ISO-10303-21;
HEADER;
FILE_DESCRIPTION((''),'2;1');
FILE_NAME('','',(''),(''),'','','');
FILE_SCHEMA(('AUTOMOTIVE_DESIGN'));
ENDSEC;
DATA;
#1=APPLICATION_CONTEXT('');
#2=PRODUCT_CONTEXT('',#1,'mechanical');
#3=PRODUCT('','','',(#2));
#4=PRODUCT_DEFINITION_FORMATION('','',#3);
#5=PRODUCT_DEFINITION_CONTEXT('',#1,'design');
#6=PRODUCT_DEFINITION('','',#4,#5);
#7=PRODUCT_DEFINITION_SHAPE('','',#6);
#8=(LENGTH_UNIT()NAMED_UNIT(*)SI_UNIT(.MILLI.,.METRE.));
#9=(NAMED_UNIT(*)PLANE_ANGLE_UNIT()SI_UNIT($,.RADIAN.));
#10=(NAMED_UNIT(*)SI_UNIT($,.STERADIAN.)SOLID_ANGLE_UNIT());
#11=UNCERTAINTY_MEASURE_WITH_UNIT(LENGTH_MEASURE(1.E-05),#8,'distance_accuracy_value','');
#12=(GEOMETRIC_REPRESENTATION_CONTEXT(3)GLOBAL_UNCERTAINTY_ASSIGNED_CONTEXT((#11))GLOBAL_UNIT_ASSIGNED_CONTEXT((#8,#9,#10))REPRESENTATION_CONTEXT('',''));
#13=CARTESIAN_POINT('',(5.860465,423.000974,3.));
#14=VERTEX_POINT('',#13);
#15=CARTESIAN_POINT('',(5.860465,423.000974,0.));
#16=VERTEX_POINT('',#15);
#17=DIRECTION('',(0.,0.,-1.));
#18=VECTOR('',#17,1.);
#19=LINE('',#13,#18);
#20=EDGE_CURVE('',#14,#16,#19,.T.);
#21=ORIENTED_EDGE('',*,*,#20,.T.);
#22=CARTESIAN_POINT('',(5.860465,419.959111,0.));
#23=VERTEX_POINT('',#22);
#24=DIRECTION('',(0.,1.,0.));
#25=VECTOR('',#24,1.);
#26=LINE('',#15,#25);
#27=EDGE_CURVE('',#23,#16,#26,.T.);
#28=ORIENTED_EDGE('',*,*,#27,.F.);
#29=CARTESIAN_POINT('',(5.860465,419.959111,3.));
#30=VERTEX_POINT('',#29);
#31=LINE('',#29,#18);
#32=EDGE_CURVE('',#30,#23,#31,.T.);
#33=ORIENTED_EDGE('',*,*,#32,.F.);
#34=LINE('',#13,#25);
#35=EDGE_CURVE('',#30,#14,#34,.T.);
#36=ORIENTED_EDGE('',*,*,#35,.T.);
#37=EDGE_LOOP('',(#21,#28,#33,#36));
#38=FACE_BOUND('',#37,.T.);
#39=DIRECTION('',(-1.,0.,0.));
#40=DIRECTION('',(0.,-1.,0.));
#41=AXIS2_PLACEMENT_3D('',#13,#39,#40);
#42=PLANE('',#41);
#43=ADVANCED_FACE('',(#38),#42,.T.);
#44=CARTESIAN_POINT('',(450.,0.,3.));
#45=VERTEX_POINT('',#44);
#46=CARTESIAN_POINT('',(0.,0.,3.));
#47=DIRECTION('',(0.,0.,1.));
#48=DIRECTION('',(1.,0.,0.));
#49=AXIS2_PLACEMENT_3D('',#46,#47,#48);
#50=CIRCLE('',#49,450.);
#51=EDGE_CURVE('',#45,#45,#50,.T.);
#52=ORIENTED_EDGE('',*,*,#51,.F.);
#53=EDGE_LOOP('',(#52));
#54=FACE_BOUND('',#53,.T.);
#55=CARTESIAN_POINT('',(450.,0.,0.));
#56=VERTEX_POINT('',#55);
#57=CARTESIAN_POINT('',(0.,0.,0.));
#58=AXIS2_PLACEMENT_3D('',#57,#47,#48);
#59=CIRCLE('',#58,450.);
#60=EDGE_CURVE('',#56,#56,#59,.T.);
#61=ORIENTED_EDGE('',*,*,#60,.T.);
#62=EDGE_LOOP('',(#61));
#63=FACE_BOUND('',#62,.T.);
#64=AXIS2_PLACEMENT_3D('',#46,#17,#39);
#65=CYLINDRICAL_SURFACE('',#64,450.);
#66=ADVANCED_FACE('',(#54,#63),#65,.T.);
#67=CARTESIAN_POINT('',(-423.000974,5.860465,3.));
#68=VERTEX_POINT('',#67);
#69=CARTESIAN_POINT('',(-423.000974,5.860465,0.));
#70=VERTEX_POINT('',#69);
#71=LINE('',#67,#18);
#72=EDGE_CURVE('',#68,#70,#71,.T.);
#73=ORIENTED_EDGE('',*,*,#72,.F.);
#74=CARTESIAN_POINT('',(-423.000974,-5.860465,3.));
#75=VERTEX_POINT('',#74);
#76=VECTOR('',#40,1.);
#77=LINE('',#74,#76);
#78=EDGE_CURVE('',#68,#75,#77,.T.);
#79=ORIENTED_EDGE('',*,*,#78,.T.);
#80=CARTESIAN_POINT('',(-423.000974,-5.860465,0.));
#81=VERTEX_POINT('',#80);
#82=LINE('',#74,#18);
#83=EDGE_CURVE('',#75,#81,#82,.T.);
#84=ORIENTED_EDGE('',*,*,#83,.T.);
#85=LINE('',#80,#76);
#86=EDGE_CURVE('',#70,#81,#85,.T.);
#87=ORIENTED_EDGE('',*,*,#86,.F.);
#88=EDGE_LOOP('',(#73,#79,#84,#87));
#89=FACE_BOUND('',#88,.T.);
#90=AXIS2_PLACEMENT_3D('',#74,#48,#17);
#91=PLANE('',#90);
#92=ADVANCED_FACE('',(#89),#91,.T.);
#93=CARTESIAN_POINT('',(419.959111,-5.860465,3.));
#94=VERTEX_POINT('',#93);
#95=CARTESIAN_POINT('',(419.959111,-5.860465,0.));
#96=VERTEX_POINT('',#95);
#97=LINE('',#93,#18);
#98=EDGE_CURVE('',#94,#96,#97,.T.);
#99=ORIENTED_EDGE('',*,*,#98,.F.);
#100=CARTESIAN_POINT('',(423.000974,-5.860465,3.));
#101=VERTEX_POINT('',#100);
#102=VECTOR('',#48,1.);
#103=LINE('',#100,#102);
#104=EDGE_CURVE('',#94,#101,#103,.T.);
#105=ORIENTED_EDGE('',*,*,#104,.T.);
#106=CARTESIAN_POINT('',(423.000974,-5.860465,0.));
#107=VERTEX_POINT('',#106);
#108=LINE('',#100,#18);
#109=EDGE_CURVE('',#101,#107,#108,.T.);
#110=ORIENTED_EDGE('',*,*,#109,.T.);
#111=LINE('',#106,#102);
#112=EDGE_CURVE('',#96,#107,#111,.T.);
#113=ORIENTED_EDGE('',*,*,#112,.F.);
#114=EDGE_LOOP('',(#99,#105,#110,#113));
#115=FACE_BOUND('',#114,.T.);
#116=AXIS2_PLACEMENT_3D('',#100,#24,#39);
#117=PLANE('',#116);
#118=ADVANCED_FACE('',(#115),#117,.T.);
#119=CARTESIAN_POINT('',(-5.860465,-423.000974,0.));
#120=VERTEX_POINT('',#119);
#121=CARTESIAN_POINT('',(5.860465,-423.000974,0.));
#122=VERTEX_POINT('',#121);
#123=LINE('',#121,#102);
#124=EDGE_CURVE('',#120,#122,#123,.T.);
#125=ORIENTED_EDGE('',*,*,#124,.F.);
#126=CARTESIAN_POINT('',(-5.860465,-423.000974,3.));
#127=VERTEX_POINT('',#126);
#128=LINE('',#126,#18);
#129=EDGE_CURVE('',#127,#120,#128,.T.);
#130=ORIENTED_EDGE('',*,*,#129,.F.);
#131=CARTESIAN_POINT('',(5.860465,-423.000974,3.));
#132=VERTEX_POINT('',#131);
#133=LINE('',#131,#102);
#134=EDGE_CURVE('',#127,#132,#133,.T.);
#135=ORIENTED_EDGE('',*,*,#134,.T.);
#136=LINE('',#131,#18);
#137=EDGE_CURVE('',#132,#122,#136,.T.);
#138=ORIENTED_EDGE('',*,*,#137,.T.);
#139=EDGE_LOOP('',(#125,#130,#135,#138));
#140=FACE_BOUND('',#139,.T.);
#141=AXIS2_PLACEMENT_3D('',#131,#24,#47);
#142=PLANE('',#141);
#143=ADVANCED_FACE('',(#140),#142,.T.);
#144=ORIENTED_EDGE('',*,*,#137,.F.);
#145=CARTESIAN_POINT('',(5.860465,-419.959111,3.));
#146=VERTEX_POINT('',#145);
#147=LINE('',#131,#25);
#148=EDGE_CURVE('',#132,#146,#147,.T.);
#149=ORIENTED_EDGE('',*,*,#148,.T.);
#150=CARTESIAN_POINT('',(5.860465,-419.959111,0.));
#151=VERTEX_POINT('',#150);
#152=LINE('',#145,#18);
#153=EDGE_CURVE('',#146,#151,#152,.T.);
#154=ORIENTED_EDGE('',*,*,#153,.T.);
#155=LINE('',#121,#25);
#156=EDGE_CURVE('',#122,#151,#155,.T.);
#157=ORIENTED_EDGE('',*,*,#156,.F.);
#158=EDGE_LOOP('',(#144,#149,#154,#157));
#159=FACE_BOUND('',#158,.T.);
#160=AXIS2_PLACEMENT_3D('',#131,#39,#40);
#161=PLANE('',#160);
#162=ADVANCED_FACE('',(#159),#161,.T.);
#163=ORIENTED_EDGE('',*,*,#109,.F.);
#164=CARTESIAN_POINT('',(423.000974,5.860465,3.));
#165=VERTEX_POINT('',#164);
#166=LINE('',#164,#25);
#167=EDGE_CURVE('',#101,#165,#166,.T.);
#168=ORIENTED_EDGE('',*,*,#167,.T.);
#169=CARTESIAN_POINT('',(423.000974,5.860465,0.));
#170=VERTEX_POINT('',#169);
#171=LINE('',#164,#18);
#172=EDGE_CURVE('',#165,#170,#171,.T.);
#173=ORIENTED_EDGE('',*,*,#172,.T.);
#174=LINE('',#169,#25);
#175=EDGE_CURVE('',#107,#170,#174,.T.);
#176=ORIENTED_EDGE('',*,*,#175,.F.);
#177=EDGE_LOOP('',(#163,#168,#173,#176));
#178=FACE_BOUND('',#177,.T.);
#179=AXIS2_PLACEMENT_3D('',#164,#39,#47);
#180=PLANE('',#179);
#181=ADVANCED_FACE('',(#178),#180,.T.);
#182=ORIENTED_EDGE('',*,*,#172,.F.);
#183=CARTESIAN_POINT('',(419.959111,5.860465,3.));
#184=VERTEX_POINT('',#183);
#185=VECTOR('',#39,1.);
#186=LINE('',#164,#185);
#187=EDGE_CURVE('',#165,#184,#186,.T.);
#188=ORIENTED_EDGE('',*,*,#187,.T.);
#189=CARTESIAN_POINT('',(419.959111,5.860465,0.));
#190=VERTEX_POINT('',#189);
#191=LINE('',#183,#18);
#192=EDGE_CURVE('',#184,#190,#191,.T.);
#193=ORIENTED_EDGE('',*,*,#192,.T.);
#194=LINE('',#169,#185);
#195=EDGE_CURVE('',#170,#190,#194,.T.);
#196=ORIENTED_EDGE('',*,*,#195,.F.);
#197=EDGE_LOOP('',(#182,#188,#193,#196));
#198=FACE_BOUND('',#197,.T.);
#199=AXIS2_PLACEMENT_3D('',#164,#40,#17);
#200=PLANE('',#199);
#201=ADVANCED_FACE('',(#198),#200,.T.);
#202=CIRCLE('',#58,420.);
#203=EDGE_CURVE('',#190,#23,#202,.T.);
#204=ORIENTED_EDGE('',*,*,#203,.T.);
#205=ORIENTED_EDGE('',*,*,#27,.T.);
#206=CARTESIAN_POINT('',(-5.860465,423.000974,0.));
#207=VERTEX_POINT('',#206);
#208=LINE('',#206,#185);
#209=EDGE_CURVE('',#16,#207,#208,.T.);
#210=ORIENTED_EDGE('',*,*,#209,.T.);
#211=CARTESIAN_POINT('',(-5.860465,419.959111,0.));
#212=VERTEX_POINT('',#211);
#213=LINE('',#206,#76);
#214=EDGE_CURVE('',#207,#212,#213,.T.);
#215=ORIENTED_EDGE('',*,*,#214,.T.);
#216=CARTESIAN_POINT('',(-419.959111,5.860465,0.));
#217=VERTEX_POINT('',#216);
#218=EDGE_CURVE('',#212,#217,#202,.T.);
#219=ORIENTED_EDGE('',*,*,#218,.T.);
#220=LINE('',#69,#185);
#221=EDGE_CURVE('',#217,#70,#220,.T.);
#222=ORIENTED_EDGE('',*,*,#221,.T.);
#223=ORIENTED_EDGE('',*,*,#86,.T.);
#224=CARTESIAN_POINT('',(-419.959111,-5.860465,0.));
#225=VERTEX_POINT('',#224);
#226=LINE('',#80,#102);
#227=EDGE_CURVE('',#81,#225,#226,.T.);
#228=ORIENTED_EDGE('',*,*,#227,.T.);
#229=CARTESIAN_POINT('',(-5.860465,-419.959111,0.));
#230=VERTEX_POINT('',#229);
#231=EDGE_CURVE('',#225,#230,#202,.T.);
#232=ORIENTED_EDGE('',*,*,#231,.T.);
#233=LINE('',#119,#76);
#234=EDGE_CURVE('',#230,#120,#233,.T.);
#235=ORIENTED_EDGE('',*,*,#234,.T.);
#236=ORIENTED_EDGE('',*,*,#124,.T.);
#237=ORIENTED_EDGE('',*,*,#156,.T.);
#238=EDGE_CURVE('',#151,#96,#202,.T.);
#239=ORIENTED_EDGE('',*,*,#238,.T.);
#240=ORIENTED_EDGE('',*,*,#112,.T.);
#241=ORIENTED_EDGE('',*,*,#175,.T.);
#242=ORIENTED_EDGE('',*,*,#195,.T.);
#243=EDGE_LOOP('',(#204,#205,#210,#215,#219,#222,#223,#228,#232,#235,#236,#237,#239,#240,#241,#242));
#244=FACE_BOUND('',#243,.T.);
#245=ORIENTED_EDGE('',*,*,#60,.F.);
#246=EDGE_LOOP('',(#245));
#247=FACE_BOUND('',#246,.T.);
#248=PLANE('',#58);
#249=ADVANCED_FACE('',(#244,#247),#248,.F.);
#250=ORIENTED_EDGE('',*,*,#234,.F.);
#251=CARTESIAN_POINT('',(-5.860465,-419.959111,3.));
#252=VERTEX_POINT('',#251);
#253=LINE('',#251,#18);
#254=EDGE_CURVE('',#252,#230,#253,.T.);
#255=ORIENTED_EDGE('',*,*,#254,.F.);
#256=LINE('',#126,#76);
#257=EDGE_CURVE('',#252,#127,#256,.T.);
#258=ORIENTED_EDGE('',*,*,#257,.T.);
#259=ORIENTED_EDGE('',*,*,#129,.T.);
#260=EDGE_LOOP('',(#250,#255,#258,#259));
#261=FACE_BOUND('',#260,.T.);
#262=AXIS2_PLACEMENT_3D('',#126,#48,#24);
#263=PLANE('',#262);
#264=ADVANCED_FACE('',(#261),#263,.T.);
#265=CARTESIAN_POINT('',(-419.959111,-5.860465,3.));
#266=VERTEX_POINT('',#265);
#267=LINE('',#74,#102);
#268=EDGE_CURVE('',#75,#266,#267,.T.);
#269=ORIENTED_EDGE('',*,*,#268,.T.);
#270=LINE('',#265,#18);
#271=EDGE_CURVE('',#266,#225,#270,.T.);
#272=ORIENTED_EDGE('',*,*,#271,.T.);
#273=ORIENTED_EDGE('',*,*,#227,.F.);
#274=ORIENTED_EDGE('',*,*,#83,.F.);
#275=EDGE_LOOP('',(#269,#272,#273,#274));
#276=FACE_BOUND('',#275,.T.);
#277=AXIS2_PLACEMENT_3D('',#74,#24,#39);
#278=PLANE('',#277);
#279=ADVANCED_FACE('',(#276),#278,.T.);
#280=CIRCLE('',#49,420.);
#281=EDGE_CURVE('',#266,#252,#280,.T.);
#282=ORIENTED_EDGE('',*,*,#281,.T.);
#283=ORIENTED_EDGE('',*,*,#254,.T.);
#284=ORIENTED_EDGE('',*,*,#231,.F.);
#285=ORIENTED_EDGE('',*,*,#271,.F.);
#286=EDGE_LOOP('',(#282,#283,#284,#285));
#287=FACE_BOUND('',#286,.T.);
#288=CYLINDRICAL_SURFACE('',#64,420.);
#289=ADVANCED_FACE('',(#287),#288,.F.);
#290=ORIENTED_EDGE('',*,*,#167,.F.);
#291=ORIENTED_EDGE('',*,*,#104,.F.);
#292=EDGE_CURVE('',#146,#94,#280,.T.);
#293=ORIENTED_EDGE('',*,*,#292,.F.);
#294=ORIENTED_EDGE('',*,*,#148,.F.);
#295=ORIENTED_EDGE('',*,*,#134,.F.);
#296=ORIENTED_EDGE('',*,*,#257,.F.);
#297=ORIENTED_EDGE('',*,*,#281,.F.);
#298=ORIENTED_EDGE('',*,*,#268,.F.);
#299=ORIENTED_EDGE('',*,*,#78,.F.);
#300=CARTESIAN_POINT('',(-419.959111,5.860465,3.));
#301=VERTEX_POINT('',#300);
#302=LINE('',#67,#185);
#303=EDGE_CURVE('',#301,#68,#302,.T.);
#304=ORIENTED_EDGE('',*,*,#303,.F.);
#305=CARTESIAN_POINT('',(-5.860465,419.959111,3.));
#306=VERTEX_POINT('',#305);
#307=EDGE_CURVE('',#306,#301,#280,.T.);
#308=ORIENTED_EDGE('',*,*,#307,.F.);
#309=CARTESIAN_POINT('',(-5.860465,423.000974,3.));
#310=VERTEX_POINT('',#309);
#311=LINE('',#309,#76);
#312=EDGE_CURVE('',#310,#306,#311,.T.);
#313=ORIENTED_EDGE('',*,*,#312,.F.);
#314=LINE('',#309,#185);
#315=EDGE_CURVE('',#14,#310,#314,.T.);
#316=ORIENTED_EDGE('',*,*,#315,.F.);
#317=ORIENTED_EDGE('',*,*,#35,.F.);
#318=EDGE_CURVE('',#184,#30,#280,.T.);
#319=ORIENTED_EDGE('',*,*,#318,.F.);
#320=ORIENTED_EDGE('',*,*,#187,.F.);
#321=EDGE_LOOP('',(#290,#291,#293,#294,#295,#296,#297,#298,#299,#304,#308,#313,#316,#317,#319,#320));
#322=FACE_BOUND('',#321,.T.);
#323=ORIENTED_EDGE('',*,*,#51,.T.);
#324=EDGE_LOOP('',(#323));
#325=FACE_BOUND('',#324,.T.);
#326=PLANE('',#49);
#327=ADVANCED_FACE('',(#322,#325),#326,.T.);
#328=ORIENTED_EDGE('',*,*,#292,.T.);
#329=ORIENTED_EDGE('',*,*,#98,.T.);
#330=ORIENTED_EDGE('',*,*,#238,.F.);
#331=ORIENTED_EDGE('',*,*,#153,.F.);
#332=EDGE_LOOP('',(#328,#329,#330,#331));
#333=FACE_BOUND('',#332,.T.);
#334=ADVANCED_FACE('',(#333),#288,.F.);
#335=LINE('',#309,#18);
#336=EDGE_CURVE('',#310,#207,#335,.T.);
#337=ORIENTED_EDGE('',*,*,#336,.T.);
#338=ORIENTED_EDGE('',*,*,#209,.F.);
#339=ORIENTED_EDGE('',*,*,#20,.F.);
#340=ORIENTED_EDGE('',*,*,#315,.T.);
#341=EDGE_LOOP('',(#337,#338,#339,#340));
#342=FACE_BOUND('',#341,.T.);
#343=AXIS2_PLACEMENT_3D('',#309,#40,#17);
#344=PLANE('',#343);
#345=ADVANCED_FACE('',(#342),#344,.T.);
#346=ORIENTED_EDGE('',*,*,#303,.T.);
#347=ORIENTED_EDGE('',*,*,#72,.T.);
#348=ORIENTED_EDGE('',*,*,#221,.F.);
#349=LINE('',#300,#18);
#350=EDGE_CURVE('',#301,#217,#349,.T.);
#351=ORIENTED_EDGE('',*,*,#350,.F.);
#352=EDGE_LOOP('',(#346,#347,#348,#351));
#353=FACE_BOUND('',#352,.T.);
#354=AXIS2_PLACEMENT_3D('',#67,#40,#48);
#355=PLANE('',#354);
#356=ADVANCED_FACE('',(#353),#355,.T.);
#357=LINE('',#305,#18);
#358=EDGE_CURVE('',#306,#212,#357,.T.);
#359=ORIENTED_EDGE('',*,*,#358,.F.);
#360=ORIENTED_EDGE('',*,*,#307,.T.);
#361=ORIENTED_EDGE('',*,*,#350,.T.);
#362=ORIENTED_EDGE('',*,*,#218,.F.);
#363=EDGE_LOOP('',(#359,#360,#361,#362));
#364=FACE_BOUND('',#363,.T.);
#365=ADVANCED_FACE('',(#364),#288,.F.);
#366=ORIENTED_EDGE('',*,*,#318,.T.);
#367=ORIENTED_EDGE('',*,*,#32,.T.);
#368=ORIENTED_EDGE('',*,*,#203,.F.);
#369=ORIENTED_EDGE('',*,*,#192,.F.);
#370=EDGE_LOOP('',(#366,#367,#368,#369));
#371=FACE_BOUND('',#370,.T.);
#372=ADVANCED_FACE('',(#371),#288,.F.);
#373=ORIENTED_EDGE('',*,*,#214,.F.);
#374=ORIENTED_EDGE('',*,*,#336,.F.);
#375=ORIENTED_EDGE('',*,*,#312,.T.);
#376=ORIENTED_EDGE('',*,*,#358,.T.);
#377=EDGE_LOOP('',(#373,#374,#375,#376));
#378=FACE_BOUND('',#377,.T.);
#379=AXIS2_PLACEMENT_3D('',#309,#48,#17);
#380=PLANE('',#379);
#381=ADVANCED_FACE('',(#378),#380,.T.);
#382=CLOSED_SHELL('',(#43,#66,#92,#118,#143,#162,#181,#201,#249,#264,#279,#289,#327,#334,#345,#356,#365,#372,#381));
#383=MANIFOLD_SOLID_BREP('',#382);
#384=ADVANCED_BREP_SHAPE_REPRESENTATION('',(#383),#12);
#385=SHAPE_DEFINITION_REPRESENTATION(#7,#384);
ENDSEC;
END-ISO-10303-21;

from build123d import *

# Parameters (mm, degrees)
SKETCH1_R           = 450
BOSS_EXTRUDE1_DEPTH = 3


with BuildPart() as part:
    # Sketch1 → Boss-Extrude1 (new body)
    with BuildSketch(Plane.XY):
        Circle(SKETCH1_R)
        with BuildLine():
            Line((423.000973547, 5.860465116), (419.959111044, 5.860465116))
            ThreePointArc((419.959111044, 5.860465116), (296.984848098, 296.984848098), (5.860465116, 419.959111044))
            Line((5.860465116, 419.959111044), (5.860465116, 423.000973547))
            Line((5.860465116, 423.000973547), (-5.860465116, 423.000973547))
            Line((-5.860465116, 423.000973547), (-5.860465116, 419.959111044))
            ThreePointArc((-5.860465116, 419.959111044), (-296.984848098, 296.984848098), (-419.959111044, 5.860465116))
            Line((-419.959111044, 5.860465116), (-423.000973547, 5.860465116))
            Line((-423.000973547, 5.860465116), (-423.000973547, -5.860465116))
            Line((-423.000973547, -5.860465116), (-419.959111044, -5.860465116))
            ThreePointArc((-419.959111044, -5.860465116), (-296.984848098, -296.984848098), (-5.860465116, -419.959111044))
            Line((-5.860465116, -419.959111044), (-5.860465116, -423.000973547))
            Line((-5.860465116, -423.000973547), (5.860465116, -423.000973547))
            Line((5.860465116, -423.000973547), (5.860465116, -419.959111044))
            ThreePointArc((5.860465116, -419.959111044), (296.984848098, -296.984848098), (419.959111044, -5.860465116))
            Line((419.959111044, -5.860465116), (423.000973547, -5.860465116))
            Line((423.000973547, -5.860465116), (423.000973547, 5.860465116))
        make_face(mode=Mode.SUBTRACT)
    extrude(amount=BOSS_EXTRUDE1_DEPTH)


solid = part.part
